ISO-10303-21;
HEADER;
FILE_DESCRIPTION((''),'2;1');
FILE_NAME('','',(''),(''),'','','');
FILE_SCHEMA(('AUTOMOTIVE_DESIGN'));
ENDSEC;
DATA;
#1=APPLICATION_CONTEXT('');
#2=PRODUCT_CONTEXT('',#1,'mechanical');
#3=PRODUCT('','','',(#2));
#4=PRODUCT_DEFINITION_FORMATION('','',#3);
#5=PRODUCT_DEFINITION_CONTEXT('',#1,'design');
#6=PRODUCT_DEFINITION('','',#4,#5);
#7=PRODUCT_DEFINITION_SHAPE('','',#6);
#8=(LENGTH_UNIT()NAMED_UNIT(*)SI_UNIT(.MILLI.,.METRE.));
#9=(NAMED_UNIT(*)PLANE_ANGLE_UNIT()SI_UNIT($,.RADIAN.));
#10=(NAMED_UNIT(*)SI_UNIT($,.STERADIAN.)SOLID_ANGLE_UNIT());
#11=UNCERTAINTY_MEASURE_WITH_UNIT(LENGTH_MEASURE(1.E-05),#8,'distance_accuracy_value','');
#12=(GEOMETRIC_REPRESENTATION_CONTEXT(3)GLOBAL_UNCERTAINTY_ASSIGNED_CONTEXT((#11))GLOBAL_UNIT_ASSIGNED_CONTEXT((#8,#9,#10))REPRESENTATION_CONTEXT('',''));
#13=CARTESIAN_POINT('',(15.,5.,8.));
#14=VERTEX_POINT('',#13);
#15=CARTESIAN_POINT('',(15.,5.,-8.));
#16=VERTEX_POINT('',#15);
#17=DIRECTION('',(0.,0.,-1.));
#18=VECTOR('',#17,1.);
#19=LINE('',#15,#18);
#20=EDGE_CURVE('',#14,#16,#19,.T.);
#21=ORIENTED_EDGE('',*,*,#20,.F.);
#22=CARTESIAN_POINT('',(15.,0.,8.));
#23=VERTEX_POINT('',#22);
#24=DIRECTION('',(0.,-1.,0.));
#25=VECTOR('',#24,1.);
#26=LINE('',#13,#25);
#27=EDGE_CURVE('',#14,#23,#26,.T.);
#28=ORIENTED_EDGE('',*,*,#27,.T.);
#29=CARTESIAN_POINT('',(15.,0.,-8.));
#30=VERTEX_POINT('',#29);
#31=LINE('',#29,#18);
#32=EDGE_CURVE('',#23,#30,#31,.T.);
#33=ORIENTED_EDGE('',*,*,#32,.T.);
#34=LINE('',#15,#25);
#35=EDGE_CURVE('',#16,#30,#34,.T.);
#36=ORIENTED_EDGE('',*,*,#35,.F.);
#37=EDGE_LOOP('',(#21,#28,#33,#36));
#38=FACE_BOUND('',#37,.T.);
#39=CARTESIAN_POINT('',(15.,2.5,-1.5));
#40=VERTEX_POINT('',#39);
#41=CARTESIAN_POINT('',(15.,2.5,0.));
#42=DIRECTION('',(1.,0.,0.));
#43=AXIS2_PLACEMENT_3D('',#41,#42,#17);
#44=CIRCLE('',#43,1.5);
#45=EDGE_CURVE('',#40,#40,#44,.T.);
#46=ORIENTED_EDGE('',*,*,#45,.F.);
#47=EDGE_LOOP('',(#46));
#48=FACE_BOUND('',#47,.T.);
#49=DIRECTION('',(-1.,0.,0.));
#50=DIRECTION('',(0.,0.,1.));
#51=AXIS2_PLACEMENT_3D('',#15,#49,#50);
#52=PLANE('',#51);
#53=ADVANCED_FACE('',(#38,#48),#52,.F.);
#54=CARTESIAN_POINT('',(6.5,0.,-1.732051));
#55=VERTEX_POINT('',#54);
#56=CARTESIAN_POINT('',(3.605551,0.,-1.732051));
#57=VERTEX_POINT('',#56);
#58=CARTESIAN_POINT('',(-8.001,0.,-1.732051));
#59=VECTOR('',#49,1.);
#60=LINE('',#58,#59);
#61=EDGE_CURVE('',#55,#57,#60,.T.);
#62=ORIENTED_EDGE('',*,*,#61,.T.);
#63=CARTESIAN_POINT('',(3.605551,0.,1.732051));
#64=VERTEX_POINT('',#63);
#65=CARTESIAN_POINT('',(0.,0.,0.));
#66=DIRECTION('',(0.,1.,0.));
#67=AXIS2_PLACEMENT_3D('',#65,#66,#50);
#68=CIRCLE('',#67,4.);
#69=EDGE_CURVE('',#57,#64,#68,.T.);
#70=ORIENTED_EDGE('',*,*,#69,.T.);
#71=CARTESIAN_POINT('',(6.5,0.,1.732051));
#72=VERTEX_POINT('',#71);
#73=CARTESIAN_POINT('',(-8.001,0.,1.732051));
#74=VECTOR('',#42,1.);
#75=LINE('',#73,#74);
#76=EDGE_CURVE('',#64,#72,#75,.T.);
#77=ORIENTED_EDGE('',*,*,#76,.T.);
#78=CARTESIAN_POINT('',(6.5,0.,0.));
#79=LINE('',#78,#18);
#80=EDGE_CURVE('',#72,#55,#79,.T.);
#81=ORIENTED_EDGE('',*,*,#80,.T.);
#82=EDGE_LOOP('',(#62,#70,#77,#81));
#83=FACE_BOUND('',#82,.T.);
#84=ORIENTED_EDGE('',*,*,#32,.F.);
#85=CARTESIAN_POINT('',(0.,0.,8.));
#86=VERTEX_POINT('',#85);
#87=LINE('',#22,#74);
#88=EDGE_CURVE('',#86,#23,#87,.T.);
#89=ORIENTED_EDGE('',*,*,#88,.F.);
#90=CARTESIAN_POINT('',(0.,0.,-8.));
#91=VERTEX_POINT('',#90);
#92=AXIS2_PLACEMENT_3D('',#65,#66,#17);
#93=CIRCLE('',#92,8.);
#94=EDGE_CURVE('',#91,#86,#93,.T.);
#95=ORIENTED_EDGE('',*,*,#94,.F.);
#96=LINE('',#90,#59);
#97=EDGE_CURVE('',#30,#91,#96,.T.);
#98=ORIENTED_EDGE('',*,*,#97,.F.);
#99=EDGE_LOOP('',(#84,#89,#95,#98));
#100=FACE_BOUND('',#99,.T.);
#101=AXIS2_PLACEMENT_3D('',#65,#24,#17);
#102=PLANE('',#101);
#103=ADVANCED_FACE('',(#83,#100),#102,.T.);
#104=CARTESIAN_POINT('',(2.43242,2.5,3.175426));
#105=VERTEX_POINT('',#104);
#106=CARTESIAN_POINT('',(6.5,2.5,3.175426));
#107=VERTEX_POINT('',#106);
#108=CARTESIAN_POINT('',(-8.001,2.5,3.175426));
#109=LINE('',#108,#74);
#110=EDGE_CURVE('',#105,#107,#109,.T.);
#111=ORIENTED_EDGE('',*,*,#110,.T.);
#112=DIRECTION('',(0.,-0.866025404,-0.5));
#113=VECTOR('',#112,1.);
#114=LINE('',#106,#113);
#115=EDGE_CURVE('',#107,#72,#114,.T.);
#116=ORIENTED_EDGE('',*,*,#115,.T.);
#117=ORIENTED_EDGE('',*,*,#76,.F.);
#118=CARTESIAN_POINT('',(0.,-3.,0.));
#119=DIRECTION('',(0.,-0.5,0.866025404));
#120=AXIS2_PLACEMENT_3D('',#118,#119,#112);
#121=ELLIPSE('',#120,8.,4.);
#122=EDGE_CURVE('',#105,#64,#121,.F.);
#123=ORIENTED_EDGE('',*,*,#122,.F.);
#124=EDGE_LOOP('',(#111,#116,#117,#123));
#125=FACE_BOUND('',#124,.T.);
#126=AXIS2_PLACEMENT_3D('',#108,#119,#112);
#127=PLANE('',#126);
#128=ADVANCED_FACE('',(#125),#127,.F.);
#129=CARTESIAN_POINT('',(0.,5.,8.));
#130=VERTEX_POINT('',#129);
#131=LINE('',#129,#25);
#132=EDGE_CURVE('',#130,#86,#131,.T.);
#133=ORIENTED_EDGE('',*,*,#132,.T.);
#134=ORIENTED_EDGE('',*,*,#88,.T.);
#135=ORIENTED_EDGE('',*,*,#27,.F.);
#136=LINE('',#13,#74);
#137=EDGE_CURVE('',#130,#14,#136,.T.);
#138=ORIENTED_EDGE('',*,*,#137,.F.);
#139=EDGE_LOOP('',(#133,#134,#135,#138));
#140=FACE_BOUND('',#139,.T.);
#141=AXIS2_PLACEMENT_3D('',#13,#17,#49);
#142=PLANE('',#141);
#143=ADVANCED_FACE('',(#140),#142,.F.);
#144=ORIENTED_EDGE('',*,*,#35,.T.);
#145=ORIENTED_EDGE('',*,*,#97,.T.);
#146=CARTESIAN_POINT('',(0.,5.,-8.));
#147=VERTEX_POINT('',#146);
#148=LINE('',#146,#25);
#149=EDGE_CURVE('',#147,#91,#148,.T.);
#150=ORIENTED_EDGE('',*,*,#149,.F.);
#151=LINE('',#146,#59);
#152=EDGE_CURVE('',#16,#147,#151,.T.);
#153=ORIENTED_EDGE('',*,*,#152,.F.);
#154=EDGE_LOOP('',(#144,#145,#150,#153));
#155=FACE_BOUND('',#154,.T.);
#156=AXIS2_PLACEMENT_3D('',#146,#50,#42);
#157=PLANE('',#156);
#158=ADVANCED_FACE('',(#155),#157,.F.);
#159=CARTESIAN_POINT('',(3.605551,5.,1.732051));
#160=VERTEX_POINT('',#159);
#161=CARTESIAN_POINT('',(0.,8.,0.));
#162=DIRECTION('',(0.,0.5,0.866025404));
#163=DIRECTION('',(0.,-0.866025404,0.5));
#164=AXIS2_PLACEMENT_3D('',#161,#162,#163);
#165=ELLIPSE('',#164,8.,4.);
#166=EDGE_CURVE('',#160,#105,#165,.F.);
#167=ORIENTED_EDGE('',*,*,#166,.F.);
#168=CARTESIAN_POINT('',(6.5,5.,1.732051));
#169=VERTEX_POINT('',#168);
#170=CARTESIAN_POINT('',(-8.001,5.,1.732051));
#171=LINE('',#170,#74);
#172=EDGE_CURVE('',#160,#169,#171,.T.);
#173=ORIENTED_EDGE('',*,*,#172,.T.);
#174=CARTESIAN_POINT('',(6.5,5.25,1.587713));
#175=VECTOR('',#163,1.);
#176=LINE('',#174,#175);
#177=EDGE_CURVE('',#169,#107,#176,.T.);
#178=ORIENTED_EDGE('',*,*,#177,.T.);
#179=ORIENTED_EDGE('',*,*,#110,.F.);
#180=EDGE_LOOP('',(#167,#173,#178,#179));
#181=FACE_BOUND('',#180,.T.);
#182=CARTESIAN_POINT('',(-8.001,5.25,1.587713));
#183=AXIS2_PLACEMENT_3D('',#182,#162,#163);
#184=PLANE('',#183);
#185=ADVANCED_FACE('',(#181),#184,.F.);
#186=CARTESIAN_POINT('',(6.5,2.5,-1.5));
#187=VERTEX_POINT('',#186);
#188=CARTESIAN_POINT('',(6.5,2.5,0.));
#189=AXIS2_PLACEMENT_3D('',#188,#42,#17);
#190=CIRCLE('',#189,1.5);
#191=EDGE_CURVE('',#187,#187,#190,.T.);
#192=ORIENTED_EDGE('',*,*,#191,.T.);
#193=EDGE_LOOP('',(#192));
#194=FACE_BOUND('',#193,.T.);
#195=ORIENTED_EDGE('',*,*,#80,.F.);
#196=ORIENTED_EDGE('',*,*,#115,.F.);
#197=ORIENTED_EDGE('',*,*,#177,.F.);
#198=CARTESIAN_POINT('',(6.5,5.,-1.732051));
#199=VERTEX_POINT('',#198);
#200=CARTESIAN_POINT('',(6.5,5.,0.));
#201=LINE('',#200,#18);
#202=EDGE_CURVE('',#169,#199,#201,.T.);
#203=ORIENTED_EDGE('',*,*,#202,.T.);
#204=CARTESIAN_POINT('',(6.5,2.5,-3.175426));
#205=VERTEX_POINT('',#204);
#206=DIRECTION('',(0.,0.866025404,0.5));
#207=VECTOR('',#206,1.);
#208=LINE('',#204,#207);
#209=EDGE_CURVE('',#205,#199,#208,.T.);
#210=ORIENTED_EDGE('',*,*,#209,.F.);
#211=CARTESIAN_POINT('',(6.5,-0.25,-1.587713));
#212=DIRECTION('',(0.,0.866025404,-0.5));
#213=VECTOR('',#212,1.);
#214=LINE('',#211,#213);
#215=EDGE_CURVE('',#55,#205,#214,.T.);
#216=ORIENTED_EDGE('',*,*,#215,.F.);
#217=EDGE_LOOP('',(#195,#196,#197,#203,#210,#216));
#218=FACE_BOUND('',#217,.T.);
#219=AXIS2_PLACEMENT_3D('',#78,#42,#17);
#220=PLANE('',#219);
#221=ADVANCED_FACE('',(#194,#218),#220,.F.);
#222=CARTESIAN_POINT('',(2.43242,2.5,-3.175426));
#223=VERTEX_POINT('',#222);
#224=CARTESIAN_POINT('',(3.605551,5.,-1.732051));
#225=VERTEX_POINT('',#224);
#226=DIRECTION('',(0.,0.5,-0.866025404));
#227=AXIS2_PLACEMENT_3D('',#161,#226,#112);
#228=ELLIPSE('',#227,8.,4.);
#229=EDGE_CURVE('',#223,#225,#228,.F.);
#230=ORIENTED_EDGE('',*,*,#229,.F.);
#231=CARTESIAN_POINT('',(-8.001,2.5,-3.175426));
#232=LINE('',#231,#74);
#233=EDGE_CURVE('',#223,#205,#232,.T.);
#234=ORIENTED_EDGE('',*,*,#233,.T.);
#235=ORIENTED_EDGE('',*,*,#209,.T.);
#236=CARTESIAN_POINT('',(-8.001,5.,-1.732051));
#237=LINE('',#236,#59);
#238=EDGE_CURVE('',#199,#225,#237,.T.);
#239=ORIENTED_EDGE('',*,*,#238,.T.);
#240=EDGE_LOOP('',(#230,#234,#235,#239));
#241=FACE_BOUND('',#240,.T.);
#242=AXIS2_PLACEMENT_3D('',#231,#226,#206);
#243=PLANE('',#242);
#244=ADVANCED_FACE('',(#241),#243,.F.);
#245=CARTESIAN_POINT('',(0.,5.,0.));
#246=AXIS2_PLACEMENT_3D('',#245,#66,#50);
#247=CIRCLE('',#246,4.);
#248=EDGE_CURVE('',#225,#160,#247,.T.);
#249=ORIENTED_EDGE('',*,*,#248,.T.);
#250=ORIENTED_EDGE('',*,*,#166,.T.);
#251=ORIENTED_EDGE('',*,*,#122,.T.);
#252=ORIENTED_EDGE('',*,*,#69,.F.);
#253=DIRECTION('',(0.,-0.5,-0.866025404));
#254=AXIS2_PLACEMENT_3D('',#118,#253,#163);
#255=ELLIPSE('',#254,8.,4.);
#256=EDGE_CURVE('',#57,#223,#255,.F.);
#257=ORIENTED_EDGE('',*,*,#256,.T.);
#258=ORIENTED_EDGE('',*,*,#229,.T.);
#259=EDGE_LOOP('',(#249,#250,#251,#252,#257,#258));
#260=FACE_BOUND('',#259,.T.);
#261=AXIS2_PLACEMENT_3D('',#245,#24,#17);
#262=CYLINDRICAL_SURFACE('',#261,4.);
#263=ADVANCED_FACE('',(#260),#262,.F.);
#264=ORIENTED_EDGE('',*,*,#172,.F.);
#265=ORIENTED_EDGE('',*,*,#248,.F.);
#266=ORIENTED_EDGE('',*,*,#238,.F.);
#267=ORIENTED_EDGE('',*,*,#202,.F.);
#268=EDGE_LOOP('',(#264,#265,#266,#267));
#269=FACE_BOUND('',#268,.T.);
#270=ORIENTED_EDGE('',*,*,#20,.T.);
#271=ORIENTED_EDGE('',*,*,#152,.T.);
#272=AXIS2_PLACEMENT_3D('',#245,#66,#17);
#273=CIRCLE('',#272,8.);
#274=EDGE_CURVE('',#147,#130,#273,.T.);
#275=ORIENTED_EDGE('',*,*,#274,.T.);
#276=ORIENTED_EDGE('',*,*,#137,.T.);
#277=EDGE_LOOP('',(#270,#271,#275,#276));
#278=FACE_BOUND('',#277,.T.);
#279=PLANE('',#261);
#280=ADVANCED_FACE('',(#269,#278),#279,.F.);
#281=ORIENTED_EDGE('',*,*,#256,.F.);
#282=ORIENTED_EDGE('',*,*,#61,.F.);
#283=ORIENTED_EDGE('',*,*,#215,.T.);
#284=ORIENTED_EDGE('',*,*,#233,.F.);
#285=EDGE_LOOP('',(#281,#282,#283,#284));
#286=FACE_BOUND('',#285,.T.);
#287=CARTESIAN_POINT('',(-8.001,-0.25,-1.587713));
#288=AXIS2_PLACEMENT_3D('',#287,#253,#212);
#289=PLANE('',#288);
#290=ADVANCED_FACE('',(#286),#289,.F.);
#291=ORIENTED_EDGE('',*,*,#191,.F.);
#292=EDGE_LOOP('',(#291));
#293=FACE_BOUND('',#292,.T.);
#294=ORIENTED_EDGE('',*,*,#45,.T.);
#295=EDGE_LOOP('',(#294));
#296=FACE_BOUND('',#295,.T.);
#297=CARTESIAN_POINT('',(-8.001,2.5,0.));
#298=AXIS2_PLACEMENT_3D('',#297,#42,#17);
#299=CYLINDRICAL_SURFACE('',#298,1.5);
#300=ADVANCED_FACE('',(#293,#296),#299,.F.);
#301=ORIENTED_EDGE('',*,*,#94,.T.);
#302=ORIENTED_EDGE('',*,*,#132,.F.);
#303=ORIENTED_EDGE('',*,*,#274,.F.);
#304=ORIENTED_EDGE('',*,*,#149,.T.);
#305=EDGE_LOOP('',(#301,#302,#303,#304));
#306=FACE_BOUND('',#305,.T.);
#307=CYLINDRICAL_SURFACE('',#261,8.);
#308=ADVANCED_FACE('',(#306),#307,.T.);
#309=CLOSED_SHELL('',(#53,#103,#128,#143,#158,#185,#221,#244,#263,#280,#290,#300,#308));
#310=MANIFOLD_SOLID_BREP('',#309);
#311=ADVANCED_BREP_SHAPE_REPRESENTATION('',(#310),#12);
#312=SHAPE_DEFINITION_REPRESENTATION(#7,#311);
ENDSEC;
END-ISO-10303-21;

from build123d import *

# Parameters (mm, degrees)
SKETCH1_R           = 4
BOSS_EXTRUDE1_DEPTH = 5
CUT_EXTRUDE1_REACH  = 26.86
SKETCH2_R           = 1.5
CUT_EXTRUDE2_REACH  = 35.36
CUT_EXTRUDE2_START  = -8.5
SKETCH2_4_R         = 1.5


with BuildPart() as part:
    # Sketch1 → Boss-Extrude1 (new body)
    with BuildSketch(Plane(origin=(0, 0, 0), x_dir=(1, 0, 0), z_dir=(0, 1, 0))):
        with BuildLine():
            Line((0, 8), (15, 8))
            Line((15, 8), (15, -8))
            Line((15, -8), (0, -8))
            ThreePointArc((0, -8), (-8, 0), (0, 8))
        make_face()
        Circle(SKETCH1_R, mode=Mode.SUBTRACT)
    extrude(amount=BOSS_EXTRUDE1_DEPTH)

    # Sketch2 → Cut-Extrude1 (cut, up to next)
    with BuildSketch(Plane(origin=(15, 0, 0), x_dir=(0, 0, -1), z_dir=(1, 0, 0)), mode=Mode.PRIVATE) as cut_extrude1_sk1:
        with Locations((0, 2.5)):
            Circle(SKETCH2_R)
    cut_extrude1_tool1 = extrude(cut_extrude1_sk1.sketch, amount=-CUT_EXTRUDE1_REACH, mode=Mode.PRIVATE) & part.part
    add(cut_extrude1_tool1.solids().sort_by_distance((15, 2.5, 0))[0], mode=Mode.SUBTRACT)

    # Sketch2<4> → Cut-Extrude2 (cut, up to next)
    with BuildSketch(Plane(origin=(15, 0, 0), x_dir=(0, 0, -1), z_dir=(1, 0, 0)).offset(CUT_EXTRUDE2_START), mode=Mode.PRIVATE) as cut_extrude2_sk1:
        Polygon((3.175426481, 2.5), (1.58771324, 5.25), (-1.58771324, 5.25), (-3.175426481, 2.5), (-1.58771324, -0.25), (1.58771324, -0.25), align=None)
        with Locations((0, 2.5)):
            Circle(SKETCH2_4_R, mode=Mode.SUBTRACT)
    cut_extrude2_tool1 = extrude(cut_extrude2_sk1.sketch, amount=-CUT_EXTRUDE2_REACH, mode=Mode.PRIVATE) & part.part
    add(cut_extrude2_tool1.solids().sort_by_distance((6.5, 3.832993, -2.308812))[0], mode=Mode.SUBTRACT)


solid = part.part
